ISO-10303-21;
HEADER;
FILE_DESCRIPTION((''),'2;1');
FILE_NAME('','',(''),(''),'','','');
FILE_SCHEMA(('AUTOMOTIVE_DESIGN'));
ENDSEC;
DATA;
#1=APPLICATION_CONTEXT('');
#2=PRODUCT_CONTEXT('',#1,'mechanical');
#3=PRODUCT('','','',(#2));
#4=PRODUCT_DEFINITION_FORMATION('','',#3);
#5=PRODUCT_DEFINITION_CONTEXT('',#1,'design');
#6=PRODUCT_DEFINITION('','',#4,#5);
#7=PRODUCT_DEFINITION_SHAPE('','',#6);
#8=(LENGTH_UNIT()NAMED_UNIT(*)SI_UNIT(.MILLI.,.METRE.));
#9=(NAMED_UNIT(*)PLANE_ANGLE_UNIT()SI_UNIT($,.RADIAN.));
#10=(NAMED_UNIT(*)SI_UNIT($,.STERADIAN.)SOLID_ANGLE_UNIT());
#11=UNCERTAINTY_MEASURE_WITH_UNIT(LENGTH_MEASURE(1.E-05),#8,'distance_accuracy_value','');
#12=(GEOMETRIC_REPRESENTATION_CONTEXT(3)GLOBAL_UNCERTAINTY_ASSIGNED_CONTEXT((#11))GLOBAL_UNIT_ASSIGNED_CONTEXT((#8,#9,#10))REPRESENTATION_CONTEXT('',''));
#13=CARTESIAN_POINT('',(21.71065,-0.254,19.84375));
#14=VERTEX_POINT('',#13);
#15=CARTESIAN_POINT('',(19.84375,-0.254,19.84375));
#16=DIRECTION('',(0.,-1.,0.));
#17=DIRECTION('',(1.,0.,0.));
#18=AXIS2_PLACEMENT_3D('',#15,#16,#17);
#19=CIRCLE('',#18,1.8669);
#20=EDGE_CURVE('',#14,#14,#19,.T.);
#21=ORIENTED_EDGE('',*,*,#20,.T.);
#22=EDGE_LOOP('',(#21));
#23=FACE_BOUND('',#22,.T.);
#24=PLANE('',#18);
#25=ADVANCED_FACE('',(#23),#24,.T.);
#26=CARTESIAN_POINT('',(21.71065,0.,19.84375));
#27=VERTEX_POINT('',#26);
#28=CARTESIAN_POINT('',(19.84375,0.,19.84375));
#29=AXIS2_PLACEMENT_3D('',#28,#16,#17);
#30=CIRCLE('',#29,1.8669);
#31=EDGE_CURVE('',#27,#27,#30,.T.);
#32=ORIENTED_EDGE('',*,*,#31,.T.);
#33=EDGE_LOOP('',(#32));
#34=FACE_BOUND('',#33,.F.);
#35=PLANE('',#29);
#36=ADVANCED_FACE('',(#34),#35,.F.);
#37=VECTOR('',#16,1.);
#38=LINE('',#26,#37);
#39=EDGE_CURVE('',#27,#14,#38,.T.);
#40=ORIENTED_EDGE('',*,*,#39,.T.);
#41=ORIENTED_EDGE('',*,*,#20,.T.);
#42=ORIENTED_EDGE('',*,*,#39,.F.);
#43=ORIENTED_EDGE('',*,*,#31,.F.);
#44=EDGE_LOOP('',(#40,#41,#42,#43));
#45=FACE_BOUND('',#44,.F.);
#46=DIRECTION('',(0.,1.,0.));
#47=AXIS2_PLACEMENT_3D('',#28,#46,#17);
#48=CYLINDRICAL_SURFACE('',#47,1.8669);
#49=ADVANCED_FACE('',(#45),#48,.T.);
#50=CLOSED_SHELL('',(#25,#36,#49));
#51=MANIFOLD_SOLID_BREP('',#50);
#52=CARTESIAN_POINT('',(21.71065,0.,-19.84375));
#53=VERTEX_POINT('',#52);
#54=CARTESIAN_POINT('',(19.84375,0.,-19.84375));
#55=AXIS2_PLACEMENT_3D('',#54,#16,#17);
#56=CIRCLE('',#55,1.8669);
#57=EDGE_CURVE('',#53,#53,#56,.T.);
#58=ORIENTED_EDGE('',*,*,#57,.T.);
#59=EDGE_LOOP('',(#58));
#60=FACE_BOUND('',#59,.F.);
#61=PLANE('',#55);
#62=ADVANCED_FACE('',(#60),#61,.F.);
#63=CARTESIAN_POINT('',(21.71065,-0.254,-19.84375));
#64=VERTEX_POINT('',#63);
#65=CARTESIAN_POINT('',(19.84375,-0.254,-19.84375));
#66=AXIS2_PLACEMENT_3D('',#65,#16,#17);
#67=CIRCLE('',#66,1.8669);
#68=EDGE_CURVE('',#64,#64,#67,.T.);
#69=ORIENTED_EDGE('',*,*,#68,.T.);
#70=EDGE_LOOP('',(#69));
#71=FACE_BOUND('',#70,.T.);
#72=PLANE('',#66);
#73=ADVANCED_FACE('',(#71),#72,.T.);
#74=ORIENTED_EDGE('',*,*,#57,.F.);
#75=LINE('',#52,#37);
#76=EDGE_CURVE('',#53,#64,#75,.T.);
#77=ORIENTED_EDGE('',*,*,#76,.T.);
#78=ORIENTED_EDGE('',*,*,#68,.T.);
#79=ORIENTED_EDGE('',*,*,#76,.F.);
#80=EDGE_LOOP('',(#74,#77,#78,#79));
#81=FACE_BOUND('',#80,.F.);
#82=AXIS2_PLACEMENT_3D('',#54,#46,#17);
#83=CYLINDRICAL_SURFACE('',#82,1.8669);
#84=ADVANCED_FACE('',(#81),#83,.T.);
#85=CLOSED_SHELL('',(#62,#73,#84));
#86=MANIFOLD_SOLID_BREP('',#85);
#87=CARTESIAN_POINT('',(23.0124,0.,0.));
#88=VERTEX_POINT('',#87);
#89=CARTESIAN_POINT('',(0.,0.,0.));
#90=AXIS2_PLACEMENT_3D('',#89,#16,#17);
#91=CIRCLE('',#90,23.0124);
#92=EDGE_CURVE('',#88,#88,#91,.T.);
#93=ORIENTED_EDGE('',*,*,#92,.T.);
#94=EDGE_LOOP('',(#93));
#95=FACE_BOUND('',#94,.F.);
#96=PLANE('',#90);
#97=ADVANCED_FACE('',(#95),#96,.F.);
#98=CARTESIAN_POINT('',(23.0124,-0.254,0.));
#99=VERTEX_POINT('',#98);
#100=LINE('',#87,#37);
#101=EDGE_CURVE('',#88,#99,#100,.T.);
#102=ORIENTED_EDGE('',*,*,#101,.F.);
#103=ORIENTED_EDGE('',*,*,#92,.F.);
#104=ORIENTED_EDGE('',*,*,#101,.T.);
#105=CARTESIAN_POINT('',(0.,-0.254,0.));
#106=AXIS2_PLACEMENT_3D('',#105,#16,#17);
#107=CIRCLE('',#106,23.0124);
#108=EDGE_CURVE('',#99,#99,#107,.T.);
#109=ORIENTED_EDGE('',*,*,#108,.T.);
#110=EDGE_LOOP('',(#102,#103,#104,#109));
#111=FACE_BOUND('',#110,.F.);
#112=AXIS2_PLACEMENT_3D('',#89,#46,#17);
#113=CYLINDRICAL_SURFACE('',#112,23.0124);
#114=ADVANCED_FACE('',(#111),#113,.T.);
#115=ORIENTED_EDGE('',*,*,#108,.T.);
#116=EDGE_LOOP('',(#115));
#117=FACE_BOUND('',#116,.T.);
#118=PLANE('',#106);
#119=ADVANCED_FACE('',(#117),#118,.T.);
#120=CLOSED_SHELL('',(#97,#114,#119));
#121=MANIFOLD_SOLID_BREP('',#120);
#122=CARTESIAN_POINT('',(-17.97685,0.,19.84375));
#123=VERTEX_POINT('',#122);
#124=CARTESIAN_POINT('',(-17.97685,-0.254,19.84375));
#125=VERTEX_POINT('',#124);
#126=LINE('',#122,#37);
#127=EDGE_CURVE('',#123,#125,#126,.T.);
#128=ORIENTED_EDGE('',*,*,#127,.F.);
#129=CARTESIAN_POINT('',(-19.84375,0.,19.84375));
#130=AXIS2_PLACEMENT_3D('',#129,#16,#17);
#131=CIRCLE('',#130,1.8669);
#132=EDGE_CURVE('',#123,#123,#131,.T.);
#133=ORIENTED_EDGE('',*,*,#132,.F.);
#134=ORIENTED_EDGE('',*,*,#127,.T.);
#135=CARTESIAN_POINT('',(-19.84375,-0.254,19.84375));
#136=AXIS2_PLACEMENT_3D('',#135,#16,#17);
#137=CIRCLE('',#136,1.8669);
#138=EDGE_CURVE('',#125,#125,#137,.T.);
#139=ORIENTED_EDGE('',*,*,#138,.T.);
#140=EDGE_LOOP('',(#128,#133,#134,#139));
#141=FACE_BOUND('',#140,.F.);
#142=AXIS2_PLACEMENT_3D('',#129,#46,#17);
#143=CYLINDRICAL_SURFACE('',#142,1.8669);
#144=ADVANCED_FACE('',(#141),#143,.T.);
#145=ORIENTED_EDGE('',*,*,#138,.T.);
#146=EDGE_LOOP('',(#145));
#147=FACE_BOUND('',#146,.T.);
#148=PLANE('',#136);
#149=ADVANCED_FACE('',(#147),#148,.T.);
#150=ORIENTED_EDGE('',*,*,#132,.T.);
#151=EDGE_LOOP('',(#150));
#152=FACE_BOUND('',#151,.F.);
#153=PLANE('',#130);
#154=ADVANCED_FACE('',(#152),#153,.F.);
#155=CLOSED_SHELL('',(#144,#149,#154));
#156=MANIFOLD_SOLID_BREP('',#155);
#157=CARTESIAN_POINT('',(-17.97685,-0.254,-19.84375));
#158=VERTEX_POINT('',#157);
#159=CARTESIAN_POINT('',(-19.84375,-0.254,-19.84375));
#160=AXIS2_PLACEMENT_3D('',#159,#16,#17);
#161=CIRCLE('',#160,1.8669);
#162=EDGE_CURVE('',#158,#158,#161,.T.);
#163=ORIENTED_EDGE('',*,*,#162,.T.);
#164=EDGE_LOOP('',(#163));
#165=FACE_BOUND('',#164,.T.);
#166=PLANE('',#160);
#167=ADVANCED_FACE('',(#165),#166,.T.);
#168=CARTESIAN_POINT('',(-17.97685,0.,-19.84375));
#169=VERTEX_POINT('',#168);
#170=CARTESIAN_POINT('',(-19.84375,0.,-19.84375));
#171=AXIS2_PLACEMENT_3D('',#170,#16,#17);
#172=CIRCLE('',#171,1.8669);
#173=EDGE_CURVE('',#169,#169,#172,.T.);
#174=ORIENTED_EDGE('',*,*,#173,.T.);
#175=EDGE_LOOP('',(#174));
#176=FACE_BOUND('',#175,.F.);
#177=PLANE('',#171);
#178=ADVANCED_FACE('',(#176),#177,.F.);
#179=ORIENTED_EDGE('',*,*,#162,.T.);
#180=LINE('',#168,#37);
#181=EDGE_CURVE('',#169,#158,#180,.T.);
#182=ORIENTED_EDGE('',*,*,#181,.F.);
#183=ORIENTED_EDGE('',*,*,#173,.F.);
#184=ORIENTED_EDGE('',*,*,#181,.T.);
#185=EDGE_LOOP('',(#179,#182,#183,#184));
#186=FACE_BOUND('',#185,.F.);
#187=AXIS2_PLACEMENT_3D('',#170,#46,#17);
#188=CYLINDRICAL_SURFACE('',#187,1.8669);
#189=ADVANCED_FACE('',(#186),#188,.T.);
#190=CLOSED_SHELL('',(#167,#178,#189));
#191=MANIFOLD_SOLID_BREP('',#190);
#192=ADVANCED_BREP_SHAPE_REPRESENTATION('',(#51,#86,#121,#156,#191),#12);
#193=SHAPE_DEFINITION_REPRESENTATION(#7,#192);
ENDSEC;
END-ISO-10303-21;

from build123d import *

# Parameters (mm, degrees)
F0_R     = 23.0124
F0_R_2   = 1.8669
F1_DEPTH = 0.254


with BuildPart() as f1:
    # F0 (on Front) → F1 (new body)
    with BuildSketch(Plane.XZ):
        Circle(F0_R)
        with Locations((-19.84375, 19.84375)):
            Circle(F0_R_2)
        with Locations((19.84375, 19.84375)):
            Circle(F0_R_2)
        with Locations((19.84375, -19.84375)):
            Circle(F0_R_2)
        with Locations((-19.84375, -19.84375)):
            Circle(F0_R_2)
    extrude(amount=F1_DEPTH)


solid = f1.part
